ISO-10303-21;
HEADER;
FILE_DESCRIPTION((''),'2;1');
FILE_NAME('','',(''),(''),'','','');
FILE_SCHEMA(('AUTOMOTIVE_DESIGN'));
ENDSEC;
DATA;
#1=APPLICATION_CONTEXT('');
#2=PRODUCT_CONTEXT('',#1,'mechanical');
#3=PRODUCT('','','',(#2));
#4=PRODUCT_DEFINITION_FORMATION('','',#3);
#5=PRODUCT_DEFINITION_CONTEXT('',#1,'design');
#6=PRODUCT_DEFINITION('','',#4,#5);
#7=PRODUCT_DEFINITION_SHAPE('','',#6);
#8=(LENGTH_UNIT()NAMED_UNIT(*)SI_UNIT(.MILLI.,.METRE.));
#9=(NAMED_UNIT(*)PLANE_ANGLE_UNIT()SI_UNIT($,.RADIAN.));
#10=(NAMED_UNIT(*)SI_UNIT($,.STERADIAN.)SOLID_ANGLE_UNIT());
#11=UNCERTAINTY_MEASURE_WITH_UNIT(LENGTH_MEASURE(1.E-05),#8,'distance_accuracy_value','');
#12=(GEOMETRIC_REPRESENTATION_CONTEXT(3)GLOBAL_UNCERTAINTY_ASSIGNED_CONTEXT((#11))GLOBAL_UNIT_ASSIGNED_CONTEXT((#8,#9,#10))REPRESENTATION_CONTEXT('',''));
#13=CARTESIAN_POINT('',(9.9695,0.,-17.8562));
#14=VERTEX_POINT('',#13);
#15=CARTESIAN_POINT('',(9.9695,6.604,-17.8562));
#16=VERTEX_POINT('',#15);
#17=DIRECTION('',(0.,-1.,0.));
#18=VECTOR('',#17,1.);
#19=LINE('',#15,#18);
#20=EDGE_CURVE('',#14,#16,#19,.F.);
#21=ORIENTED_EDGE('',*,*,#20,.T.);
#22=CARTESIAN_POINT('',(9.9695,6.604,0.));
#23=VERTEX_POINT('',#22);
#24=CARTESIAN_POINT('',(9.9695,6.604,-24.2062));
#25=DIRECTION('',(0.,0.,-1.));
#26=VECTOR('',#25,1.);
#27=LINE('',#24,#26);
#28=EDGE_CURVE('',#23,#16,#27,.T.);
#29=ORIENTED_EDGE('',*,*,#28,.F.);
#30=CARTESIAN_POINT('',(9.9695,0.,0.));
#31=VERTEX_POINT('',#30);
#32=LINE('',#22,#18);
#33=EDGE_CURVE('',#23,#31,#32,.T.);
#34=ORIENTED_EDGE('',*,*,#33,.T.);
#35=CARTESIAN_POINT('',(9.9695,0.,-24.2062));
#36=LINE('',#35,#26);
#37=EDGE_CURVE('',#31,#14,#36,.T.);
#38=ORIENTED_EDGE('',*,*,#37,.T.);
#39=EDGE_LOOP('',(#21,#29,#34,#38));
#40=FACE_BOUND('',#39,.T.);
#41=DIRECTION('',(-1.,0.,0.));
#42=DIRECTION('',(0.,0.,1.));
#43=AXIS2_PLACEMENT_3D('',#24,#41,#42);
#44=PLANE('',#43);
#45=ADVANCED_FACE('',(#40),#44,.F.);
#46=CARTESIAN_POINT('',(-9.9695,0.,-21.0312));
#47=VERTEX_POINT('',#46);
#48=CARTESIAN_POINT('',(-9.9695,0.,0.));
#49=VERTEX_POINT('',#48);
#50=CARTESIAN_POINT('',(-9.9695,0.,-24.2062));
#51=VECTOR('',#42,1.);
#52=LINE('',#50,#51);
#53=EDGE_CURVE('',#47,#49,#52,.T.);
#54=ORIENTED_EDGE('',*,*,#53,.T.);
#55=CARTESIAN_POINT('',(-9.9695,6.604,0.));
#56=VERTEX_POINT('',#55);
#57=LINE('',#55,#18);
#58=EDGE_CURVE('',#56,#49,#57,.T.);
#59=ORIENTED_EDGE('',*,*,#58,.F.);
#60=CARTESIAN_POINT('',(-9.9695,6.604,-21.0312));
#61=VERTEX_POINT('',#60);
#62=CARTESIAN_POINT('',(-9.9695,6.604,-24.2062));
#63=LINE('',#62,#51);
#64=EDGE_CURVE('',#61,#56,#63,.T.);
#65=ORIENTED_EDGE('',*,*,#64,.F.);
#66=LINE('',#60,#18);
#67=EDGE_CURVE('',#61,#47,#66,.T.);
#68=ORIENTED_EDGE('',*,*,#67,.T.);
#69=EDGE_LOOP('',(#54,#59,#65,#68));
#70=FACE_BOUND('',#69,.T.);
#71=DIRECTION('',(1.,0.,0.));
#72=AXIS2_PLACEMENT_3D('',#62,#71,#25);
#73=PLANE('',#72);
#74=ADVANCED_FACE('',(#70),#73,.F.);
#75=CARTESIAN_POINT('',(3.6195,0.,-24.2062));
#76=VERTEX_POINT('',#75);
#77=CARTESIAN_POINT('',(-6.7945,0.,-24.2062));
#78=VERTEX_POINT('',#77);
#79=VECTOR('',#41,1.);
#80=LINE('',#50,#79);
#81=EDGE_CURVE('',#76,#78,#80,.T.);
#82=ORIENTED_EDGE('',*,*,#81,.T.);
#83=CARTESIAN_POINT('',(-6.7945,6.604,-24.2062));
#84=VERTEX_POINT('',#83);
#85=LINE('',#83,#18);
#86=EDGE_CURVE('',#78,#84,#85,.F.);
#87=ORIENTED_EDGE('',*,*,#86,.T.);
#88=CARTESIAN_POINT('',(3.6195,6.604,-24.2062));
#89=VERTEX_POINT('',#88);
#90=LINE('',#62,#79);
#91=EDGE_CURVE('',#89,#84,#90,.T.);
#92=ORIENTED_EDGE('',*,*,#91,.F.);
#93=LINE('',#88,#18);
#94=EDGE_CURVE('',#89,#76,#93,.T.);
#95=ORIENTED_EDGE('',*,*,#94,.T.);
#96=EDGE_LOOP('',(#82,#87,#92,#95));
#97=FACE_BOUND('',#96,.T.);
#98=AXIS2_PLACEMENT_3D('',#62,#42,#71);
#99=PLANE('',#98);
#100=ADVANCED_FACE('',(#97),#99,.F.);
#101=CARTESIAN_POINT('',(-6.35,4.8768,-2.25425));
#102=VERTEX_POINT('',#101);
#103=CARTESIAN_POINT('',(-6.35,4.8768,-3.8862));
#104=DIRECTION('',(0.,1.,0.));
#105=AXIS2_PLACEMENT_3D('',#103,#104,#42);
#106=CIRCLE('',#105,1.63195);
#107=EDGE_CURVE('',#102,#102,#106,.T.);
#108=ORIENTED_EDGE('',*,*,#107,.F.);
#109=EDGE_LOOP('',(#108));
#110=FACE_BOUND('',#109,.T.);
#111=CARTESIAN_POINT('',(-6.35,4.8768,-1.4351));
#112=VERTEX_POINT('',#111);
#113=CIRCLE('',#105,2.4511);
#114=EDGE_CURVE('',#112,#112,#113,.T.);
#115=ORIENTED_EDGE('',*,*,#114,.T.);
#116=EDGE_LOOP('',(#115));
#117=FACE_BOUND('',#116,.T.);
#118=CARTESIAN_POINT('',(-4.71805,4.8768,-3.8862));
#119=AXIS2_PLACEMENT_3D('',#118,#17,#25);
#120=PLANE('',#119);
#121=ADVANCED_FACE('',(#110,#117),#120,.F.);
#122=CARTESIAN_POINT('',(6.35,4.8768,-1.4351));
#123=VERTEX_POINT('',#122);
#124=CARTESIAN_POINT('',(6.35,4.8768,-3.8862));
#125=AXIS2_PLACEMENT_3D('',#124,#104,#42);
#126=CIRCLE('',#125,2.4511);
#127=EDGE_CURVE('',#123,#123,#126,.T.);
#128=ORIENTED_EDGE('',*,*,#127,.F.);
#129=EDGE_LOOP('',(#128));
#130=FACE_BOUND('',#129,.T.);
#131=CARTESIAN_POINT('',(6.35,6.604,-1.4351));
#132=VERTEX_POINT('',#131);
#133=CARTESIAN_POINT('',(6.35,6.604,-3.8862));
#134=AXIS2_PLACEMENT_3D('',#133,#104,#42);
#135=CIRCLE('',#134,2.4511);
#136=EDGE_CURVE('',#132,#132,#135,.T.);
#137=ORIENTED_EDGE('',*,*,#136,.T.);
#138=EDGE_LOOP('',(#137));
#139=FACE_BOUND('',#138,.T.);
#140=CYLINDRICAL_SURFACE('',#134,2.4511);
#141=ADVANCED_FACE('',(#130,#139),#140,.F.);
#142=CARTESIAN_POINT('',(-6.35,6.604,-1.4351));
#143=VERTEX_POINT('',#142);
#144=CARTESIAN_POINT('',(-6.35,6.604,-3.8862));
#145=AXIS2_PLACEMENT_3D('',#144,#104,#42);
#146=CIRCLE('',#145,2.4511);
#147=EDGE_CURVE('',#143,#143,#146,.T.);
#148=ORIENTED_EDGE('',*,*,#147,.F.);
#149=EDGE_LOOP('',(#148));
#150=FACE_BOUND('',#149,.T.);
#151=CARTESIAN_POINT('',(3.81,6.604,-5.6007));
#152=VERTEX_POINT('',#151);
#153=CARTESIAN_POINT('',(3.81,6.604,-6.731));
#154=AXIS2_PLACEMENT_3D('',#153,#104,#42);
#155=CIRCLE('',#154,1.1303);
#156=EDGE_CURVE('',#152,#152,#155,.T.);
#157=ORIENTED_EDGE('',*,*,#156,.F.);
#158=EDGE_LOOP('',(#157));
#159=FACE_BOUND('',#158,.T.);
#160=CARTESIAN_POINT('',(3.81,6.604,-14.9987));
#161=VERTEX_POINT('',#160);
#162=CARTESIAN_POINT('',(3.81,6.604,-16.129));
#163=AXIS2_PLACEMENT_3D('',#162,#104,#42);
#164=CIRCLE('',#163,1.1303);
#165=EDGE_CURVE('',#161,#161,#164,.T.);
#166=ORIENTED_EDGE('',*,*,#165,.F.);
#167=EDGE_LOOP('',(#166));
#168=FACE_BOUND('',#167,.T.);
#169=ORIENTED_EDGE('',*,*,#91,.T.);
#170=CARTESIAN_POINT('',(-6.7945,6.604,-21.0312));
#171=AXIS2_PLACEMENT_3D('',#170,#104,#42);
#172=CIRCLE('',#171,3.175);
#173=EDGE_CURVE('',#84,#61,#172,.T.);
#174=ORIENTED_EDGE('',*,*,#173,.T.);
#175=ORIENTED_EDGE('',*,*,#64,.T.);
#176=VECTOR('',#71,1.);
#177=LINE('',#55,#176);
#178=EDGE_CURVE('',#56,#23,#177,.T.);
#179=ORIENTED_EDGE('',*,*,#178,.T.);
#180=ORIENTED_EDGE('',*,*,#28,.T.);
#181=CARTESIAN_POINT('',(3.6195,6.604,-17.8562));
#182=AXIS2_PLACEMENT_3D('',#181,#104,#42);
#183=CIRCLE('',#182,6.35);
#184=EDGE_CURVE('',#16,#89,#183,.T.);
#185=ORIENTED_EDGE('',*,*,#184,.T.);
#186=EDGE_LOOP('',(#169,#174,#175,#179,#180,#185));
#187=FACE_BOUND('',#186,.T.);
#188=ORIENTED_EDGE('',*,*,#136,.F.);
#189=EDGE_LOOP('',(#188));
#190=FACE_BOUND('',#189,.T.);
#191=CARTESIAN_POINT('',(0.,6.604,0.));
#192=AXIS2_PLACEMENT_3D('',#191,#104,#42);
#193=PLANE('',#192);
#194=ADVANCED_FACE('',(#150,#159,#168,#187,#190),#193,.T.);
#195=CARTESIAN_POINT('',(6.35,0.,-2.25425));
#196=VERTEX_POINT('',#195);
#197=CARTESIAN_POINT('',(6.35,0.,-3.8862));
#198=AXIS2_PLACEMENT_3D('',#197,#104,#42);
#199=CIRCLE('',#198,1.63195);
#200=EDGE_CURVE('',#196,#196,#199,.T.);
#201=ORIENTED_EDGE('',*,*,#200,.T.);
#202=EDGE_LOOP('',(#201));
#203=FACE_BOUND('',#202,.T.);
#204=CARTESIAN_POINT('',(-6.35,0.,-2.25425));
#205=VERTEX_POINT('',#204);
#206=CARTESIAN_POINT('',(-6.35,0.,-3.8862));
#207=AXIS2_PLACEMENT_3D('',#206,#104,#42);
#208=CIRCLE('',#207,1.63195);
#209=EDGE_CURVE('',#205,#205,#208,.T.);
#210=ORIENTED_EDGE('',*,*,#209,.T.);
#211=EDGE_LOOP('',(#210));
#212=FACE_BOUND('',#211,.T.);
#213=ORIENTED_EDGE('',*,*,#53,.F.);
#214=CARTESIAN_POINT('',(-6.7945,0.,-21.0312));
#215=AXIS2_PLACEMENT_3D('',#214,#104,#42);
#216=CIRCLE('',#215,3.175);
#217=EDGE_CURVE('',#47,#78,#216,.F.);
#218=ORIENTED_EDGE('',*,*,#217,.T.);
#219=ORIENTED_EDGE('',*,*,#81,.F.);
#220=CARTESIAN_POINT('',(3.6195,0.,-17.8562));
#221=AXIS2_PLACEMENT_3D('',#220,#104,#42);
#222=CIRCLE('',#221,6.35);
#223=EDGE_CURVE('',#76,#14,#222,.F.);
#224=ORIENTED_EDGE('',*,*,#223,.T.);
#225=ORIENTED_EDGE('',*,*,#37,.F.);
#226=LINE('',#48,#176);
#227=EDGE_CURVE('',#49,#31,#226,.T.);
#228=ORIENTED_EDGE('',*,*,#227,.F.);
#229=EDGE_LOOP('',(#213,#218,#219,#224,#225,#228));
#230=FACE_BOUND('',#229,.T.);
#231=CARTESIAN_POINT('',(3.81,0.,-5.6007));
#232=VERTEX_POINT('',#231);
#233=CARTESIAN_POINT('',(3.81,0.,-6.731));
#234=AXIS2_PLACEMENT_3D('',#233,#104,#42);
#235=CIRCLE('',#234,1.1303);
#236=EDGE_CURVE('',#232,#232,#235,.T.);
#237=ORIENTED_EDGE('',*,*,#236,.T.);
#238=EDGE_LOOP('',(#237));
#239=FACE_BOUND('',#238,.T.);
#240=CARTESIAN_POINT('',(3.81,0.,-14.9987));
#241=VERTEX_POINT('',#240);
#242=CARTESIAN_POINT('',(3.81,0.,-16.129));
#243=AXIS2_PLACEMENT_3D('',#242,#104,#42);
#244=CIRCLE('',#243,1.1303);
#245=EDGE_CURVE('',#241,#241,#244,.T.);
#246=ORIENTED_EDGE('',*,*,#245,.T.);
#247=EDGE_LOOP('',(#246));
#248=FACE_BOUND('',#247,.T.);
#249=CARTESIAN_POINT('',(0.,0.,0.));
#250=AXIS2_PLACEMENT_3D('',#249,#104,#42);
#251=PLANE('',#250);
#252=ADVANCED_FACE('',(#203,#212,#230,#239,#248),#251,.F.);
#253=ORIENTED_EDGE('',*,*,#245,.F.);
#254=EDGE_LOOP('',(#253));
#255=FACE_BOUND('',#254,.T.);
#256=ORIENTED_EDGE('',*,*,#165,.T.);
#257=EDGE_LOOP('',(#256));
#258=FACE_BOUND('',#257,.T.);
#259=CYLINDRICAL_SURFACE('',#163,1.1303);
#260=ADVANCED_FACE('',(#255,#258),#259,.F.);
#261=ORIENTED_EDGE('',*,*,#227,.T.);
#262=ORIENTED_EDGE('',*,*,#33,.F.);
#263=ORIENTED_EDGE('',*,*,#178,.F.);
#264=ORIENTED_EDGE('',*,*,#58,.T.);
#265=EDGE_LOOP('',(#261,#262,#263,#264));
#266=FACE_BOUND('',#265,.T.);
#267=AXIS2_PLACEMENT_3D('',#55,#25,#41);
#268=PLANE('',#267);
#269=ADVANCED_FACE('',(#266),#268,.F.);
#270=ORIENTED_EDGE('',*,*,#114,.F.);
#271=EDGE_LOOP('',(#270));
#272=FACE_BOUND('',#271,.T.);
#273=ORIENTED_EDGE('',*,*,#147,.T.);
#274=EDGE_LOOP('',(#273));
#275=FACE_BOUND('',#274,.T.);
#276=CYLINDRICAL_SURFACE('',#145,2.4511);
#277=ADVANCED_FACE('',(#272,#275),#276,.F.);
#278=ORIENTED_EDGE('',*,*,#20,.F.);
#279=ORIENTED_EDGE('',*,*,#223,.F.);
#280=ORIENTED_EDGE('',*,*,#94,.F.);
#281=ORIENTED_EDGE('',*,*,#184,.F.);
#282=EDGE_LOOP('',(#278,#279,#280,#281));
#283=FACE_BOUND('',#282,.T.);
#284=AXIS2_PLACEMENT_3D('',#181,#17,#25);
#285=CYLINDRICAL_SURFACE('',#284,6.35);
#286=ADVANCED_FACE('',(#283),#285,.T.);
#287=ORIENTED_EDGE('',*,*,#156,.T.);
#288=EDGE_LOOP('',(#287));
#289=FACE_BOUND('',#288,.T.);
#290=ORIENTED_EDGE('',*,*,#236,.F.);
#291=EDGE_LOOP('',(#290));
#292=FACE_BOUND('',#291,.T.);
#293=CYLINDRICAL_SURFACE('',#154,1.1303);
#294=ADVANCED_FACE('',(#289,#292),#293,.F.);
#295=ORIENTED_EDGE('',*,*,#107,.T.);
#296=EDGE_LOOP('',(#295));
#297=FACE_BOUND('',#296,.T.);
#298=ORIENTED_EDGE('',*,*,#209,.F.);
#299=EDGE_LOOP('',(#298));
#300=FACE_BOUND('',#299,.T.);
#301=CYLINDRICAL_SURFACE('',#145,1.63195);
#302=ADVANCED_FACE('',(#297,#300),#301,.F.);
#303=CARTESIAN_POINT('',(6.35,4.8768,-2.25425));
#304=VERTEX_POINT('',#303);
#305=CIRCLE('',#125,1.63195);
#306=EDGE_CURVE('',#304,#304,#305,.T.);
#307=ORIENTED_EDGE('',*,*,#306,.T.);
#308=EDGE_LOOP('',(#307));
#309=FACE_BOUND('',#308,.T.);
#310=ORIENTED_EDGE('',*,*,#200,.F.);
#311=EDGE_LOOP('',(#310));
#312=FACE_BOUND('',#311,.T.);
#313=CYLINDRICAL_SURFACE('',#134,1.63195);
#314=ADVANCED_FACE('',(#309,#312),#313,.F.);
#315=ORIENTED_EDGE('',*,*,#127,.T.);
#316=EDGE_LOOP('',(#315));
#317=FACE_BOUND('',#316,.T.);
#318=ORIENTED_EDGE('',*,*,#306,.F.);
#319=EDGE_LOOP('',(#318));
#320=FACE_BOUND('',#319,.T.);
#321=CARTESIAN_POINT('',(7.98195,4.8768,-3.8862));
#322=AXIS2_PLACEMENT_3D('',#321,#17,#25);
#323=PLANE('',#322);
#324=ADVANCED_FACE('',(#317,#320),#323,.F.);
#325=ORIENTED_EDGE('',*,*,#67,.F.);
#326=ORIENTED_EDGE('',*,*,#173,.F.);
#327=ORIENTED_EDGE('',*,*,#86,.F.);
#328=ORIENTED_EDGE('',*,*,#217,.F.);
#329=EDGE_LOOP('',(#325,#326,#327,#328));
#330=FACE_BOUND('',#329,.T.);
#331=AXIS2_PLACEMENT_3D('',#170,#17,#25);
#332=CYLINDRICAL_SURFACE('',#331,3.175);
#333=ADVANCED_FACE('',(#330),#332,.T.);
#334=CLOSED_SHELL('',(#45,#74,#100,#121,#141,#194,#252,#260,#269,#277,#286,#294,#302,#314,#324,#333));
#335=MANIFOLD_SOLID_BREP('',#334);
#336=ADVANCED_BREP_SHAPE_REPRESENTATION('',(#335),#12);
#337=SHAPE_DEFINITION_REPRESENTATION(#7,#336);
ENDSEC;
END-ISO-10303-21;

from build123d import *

# Parameters (mm, degrees)
SKETCH1_W                                           = 19.939
SKETCH1_H                                           = 24.2062
BOSS_EXTRUDE1_DEPTH                                 = 6.604
F_4_40_TAPPED_HOLE1_D                               = 2.2606
F_4_40_TAPPED_HOLE1_DEPTH                           = 6.604
CBORE_FOR_4_BINDING_HEAD_MACHINE_SCREW2_D           = 3.2639
CBORE_FOR_4_BINDING_HEAD_MACHINE_SCREW2_CBORE_D     = 4.9022
CBORE_FOR_4_BINDING_HEAD_MACHINE_SCREW2_CBORE_DEPTH = 1.7272
FILLET1_R                                           = 6.35
FILLET2_R                                           = 3.175


with BuildPart() as part:
    # Sketch1 → Boss-Extrude1 (new body)
    with BuildSketch(Plane(origin=(0, 0, 0), x_dir=(1, 0, 0), z_dir=(0, 1, 0))):
        with Locations((0, 12.1031)):
            Rectangle(SKETCH1_W, SKETCH1_H)
    extrude(amount=BOSS_EXTRUDE1_DEPTH)

    # #4-40 Tapped Hole1
    with Locations(Plane(origin=(0, 6.604, 0), x_dir=(1, 0, 0), z_dir=(0, 1, 0))):
        with Locations((3.81, 16.129), (3.81, 6.731)):
            Hole(F_4_40_TAPPED_HOLE1_D / 2, depth=F_4_40_TAPPED_HOLE1_DEPTH)

    # CBORE for #4 Binding Head Machine Screw2 (through all)
    with Locations(Plane(origin=(0, 6.604, 0), x_dir=(1, 0, 0), z_dir=(0, 1, 0))):
        with Locations((-6.35, 3.8862), (6.35, 3.8862)):
            CounterBoreHole(CBORE_FOR_4_BINDING_HEAD_MACHINE_SCREW2_D / 2, CBORE_FOR_4_BINDING_HEAD_MACHINE_SCREW2_CBORE_D / 2, CBORE_FOR_4_BINDING_HEAD_MACHINE_SCREW2_CBORE_DEPTH)

    # Fillet1
    fillet1_edges = [part.edges().sort_by_distance(p)[0] for p in [
        (9.9695, 3.302, -24.2062),
    ]]
    fillet(fillet1_edges, radius=FILLET1_R)

    # Fillet2
    fillet2_edges = [part.edges().sort_by_distance(p)[0] for p in [
        (-9.9695, 3.302, -24.2062),
    ]]
    fillet(fillet2_edges, radius=FILLET2_R)


solid = part.part
